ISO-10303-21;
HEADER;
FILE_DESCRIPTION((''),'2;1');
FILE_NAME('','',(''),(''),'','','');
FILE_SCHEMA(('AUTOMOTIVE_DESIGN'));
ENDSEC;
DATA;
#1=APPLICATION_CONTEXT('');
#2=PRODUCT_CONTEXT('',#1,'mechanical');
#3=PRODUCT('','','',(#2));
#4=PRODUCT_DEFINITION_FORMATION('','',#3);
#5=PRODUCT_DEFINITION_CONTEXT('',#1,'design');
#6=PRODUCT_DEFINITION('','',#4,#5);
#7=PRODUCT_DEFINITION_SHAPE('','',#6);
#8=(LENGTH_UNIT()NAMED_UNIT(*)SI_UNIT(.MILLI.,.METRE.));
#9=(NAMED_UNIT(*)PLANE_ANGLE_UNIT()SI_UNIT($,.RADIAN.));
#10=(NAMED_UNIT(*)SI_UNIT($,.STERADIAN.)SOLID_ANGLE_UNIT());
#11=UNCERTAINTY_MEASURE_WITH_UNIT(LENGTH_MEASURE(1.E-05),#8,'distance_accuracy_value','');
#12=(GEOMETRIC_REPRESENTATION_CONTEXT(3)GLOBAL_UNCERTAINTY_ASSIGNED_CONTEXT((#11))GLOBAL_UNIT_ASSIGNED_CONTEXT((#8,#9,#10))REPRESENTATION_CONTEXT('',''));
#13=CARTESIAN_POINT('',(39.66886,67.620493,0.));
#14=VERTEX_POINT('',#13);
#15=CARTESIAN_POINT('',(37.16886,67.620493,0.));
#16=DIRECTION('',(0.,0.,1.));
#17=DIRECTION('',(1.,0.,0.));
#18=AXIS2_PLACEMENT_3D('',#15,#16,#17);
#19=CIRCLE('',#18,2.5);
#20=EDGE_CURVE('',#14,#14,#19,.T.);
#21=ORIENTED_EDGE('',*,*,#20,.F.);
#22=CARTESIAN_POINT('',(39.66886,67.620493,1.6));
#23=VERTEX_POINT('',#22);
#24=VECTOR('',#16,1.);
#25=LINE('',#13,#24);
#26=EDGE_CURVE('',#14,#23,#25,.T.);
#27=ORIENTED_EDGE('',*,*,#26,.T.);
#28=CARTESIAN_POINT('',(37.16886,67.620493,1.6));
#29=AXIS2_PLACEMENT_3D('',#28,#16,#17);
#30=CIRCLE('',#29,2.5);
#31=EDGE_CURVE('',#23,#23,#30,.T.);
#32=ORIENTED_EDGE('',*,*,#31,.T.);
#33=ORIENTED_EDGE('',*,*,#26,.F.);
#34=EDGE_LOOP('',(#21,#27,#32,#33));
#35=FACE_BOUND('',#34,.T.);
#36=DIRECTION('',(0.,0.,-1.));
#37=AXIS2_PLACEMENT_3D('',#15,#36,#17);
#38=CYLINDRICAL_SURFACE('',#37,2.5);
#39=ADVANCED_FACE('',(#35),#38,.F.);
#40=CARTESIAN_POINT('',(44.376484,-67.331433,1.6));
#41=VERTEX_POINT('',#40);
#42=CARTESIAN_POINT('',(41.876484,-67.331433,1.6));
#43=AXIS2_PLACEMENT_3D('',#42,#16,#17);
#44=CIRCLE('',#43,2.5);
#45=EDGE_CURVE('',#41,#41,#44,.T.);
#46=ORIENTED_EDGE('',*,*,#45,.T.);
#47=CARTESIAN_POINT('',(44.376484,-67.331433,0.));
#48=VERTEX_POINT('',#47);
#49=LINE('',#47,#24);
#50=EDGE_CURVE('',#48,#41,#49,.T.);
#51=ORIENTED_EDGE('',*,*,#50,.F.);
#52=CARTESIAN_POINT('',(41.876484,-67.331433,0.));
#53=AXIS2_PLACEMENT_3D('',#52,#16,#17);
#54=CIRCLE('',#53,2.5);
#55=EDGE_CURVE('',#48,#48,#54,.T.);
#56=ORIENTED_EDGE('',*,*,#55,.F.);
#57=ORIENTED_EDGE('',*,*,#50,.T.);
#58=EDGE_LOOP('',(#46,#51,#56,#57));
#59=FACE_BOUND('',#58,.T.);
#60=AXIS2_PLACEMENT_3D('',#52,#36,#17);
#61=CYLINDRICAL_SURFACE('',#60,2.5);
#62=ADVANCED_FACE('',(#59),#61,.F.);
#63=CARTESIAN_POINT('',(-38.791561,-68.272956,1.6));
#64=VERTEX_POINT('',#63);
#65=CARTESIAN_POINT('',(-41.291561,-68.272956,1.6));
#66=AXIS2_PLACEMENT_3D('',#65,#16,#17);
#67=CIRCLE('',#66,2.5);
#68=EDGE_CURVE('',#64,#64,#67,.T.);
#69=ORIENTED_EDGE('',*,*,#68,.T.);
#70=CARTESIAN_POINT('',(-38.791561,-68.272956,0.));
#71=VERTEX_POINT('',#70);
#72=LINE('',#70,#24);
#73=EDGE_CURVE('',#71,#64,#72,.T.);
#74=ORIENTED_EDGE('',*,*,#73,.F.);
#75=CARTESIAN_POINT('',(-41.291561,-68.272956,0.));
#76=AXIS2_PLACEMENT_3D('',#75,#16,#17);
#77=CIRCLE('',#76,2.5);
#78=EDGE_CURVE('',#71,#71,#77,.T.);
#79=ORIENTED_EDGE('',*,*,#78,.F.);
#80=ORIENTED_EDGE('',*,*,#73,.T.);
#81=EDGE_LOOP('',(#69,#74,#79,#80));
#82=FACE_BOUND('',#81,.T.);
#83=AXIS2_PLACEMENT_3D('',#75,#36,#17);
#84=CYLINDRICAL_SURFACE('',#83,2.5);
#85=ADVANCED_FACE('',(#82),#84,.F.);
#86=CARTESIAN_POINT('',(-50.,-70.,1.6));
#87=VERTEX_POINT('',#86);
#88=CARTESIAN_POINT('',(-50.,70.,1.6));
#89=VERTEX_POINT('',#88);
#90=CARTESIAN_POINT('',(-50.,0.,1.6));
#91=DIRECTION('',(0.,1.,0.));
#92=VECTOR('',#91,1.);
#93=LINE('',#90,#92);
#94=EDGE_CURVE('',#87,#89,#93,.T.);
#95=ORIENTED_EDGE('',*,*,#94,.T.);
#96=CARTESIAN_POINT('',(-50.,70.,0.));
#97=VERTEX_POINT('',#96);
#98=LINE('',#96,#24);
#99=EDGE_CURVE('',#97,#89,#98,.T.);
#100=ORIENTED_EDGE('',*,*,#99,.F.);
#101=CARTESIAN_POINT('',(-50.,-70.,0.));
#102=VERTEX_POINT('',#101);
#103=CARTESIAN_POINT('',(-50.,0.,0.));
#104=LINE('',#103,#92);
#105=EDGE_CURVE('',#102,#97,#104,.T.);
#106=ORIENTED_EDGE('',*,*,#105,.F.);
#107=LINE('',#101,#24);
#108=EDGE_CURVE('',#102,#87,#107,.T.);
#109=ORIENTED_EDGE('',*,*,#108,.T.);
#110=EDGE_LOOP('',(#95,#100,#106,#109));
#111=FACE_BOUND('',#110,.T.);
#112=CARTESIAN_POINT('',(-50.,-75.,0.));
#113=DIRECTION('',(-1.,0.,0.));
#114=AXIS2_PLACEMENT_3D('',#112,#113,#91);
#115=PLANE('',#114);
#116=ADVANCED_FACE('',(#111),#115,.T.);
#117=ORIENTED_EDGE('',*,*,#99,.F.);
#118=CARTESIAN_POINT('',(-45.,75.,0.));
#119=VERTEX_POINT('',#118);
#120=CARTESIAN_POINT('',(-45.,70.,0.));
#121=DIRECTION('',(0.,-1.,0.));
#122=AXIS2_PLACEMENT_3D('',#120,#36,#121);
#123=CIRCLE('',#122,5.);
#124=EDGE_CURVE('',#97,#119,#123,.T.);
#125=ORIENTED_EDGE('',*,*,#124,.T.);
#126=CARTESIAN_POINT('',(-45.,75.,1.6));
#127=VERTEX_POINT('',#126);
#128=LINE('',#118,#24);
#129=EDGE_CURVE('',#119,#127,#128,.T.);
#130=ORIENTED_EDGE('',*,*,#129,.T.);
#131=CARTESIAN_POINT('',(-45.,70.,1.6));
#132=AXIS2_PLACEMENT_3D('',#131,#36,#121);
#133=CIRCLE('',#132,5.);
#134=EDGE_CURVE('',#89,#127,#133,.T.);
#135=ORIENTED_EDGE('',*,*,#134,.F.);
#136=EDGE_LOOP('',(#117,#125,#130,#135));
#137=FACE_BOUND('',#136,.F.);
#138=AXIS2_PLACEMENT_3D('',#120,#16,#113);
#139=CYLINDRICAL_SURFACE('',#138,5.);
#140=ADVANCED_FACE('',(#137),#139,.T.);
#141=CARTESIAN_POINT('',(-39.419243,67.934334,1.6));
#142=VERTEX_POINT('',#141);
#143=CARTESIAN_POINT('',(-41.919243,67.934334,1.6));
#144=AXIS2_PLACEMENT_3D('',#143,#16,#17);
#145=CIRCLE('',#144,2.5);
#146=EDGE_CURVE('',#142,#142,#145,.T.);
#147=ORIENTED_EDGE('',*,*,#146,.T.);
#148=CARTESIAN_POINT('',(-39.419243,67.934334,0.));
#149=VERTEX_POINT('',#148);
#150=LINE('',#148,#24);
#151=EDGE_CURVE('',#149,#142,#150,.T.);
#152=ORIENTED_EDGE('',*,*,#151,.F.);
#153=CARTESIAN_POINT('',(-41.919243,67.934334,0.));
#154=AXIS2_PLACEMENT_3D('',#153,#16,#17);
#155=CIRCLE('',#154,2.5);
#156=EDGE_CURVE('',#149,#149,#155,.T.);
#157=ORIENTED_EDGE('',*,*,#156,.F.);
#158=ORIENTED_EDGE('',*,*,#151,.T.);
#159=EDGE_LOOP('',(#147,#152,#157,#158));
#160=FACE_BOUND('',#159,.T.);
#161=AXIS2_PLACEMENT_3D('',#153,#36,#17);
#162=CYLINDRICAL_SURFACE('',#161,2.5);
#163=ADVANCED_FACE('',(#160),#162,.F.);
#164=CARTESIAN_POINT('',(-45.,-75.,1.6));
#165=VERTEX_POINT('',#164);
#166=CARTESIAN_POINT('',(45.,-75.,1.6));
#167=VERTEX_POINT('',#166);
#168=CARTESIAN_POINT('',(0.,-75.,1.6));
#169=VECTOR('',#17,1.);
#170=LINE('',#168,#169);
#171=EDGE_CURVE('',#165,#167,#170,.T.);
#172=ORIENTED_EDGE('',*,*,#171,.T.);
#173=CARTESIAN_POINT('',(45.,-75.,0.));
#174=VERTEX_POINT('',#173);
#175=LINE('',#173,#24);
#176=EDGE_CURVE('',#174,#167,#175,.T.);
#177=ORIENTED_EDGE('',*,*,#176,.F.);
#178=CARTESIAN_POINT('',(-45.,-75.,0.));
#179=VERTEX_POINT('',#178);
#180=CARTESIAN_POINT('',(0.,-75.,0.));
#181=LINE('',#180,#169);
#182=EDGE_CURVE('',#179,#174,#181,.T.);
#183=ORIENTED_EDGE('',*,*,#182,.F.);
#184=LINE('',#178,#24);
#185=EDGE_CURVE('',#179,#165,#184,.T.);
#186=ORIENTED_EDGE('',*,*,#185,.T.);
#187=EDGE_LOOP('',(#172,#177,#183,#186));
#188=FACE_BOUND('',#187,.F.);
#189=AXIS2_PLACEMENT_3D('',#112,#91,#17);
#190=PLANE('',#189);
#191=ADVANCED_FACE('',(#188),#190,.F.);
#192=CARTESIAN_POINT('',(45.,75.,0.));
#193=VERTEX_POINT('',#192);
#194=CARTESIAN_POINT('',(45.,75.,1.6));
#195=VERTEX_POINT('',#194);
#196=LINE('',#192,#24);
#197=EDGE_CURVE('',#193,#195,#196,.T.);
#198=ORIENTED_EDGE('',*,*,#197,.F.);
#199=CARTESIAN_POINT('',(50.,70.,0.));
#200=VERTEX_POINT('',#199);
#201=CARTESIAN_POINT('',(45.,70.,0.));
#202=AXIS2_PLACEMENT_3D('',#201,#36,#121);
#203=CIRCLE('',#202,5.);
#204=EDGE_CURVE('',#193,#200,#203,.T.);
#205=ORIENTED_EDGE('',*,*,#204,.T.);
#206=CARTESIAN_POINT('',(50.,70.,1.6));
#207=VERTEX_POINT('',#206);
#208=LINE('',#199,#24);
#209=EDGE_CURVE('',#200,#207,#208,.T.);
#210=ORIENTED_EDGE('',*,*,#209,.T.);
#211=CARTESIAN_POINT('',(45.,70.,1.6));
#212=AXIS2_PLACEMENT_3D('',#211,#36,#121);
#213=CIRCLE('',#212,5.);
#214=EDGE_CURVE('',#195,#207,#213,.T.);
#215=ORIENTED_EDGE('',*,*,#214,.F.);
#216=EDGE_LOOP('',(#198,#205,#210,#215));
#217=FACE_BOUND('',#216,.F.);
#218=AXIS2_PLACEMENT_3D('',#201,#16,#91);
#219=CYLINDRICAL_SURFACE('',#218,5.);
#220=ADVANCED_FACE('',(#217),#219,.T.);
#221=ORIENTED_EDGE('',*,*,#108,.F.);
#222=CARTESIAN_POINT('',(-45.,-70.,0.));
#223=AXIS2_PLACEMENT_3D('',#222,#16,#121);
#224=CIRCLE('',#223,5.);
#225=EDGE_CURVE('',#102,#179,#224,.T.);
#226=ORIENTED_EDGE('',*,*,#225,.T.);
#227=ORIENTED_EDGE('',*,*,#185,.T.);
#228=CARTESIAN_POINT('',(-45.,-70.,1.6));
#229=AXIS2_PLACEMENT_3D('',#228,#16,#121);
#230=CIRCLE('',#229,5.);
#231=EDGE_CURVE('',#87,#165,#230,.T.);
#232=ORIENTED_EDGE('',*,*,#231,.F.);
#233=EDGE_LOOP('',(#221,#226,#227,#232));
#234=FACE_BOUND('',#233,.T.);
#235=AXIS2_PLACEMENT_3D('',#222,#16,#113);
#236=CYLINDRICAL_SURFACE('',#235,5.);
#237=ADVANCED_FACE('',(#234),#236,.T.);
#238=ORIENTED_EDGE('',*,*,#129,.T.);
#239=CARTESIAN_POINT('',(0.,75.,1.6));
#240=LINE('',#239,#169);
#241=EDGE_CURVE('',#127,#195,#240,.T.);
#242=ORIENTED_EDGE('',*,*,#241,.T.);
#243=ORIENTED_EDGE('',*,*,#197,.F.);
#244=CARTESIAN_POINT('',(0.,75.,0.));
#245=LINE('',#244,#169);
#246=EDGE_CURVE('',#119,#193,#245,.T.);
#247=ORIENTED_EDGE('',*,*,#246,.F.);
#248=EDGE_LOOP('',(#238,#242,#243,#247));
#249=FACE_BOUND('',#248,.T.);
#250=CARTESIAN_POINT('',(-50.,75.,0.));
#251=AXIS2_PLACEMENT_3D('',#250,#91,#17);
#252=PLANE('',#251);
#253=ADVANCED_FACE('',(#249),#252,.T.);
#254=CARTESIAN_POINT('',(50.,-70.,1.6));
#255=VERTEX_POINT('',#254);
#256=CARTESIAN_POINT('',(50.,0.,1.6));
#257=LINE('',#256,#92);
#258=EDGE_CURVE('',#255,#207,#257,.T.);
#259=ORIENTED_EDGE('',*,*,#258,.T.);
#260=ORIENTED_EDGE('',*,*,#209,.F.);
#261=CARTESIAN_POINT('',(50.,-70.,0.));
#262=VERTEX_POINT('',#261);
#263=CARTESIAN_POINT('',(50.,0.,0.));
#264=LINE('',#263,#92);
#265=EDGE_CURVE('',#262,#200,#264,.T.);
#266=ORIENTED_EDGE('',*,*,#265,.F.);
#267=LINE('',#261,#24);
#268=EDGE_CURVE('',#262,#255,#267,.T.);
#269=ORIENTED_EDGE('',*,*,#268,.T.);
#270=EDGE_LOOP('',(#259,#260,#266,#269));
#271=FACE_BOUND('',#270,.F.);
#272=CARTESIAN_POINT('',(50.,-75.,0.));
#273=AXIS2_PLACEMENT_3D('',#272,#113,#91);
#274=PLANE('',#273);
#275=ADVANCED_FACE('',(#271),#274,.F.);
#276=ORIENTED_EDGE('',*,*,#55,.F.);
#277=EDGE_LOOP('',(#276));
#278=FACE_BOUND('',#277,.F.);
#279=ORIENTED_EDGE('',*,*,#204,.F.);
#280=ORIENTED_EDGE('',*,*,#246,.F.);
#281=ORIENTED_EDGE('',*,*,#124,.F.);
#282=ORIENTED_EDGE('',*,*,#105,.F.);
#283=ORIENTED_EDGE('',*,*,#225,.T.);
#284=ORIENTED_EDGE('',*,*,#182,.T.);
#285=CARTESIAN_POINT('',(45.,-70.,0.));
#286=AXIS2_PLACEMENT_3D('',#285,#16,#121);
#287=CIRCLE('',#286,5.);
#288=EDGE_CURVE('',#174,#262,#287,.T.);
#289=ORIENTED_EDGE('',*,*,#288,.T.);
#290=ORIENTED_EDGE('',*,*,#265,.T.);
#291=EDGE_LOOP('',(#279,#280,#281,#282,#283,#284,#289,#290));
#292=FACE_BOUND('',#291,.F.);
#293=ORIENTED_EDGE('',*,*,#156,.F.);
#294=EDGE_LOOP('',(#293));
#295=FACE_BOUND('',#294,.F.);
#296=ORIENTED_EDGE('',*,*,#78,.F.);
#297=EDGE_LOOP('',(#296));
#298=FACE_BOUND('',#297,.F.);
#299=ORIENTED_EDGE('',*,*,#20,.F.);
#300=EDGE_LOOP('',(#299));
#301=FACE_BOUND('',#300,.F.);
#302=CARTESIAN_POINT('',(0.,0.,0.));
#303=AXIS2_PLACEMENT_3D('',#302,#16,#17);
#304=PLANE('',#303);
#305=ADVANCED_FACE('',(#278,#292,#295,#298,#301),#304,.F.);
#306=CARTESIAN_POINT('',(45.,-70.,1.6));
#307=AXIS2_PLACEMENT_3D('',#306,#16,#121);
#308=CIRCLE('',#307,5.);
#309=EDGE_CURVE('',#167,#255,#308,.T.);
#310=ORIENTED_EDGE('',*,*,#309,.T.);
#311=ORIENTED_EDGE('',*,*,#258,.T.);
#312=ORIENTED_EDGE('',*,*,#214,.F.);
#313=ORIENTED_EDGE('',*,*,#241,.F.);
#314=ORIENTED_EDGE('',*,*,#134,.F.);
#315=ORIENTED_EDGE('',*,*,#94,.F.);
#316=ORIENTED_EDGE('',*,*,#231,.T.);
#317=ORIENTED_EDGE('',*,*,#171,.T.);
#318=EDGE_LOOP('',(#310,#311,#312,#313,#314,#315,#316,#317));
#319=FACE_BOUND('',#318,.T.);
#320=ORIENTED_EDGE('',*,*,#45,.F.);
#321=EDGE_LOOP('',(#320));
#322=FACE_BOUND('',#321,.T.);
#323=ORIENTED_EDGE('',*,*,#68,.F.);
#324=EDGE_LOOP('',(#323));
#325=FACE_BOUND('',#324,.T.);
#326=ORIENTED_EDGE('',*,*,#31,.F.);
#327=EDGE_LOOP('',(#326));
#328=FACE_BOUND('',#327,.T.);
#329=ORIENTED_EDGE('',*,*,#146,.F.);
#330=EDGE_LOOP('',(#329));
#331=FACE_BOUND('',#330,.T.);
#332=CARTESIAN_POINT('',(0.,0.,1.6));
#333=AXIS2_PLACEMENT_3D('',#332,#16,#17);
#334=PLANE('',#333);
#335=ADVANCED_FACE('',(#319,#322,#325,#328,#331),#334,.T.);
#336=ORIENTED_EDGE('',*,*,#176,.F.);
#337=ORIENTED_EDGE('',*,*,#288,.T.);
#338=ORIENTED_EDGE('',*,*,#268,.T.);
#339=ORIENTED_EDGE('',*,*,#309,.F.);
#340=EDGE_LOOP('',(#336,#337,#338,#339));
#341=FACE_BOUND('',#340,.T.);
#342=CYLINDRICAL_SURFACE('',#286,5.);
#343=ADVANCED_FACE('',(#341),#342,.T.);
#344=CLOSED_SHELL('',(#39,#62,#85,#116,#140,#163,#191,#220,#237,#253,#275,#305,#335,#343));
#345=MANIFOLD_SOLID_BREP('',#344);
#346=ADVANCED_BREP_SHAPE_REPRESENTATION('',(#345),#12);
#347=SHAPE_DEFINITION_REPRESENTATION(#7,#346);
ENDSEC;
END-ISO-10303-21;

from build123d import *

# Parameters (mm, degrees)
F0_W     = 100
F0_H     = 150
F0_R     = 2.5
F1_DEPTH = 1.6
F2_R     = 5


with BuildPart() as f1:
    # F0 (on Top) → F1 (new body)
    with BuildSketch(Plane.XY):
        Rectangle(F0_W, F0_H)
        with Locations((-41.291561, -68.272956)):
            Circle(F0_R, mode=Mode.SUBTRACT)
        with Locations((41.876484, -67.331433)):
            Circle(F0_R, mode=Mode.SUBTRACT)
        with Locations((-41.919243, 67.934334)):
            Circle(F0_R, mode=Mode.SUBTRACT)
        with Locations((37.16886, 67.620493)):
            Circle(F0_R, mode=Mode.SUBTRACT)
    extrude(amount=F1_DEPTH)

    # F2
    f2_edges = [f1.edges().sort_by_distance(p)[0] for p in [
        (-50, 75, 0.8),
        (-50, -75, 0.8),
        (50, -75, 0.8),
        (50, 75, 0.8),
    ]]
    fillet(f2_edges, radius=F2_R)


solid = f1.part
